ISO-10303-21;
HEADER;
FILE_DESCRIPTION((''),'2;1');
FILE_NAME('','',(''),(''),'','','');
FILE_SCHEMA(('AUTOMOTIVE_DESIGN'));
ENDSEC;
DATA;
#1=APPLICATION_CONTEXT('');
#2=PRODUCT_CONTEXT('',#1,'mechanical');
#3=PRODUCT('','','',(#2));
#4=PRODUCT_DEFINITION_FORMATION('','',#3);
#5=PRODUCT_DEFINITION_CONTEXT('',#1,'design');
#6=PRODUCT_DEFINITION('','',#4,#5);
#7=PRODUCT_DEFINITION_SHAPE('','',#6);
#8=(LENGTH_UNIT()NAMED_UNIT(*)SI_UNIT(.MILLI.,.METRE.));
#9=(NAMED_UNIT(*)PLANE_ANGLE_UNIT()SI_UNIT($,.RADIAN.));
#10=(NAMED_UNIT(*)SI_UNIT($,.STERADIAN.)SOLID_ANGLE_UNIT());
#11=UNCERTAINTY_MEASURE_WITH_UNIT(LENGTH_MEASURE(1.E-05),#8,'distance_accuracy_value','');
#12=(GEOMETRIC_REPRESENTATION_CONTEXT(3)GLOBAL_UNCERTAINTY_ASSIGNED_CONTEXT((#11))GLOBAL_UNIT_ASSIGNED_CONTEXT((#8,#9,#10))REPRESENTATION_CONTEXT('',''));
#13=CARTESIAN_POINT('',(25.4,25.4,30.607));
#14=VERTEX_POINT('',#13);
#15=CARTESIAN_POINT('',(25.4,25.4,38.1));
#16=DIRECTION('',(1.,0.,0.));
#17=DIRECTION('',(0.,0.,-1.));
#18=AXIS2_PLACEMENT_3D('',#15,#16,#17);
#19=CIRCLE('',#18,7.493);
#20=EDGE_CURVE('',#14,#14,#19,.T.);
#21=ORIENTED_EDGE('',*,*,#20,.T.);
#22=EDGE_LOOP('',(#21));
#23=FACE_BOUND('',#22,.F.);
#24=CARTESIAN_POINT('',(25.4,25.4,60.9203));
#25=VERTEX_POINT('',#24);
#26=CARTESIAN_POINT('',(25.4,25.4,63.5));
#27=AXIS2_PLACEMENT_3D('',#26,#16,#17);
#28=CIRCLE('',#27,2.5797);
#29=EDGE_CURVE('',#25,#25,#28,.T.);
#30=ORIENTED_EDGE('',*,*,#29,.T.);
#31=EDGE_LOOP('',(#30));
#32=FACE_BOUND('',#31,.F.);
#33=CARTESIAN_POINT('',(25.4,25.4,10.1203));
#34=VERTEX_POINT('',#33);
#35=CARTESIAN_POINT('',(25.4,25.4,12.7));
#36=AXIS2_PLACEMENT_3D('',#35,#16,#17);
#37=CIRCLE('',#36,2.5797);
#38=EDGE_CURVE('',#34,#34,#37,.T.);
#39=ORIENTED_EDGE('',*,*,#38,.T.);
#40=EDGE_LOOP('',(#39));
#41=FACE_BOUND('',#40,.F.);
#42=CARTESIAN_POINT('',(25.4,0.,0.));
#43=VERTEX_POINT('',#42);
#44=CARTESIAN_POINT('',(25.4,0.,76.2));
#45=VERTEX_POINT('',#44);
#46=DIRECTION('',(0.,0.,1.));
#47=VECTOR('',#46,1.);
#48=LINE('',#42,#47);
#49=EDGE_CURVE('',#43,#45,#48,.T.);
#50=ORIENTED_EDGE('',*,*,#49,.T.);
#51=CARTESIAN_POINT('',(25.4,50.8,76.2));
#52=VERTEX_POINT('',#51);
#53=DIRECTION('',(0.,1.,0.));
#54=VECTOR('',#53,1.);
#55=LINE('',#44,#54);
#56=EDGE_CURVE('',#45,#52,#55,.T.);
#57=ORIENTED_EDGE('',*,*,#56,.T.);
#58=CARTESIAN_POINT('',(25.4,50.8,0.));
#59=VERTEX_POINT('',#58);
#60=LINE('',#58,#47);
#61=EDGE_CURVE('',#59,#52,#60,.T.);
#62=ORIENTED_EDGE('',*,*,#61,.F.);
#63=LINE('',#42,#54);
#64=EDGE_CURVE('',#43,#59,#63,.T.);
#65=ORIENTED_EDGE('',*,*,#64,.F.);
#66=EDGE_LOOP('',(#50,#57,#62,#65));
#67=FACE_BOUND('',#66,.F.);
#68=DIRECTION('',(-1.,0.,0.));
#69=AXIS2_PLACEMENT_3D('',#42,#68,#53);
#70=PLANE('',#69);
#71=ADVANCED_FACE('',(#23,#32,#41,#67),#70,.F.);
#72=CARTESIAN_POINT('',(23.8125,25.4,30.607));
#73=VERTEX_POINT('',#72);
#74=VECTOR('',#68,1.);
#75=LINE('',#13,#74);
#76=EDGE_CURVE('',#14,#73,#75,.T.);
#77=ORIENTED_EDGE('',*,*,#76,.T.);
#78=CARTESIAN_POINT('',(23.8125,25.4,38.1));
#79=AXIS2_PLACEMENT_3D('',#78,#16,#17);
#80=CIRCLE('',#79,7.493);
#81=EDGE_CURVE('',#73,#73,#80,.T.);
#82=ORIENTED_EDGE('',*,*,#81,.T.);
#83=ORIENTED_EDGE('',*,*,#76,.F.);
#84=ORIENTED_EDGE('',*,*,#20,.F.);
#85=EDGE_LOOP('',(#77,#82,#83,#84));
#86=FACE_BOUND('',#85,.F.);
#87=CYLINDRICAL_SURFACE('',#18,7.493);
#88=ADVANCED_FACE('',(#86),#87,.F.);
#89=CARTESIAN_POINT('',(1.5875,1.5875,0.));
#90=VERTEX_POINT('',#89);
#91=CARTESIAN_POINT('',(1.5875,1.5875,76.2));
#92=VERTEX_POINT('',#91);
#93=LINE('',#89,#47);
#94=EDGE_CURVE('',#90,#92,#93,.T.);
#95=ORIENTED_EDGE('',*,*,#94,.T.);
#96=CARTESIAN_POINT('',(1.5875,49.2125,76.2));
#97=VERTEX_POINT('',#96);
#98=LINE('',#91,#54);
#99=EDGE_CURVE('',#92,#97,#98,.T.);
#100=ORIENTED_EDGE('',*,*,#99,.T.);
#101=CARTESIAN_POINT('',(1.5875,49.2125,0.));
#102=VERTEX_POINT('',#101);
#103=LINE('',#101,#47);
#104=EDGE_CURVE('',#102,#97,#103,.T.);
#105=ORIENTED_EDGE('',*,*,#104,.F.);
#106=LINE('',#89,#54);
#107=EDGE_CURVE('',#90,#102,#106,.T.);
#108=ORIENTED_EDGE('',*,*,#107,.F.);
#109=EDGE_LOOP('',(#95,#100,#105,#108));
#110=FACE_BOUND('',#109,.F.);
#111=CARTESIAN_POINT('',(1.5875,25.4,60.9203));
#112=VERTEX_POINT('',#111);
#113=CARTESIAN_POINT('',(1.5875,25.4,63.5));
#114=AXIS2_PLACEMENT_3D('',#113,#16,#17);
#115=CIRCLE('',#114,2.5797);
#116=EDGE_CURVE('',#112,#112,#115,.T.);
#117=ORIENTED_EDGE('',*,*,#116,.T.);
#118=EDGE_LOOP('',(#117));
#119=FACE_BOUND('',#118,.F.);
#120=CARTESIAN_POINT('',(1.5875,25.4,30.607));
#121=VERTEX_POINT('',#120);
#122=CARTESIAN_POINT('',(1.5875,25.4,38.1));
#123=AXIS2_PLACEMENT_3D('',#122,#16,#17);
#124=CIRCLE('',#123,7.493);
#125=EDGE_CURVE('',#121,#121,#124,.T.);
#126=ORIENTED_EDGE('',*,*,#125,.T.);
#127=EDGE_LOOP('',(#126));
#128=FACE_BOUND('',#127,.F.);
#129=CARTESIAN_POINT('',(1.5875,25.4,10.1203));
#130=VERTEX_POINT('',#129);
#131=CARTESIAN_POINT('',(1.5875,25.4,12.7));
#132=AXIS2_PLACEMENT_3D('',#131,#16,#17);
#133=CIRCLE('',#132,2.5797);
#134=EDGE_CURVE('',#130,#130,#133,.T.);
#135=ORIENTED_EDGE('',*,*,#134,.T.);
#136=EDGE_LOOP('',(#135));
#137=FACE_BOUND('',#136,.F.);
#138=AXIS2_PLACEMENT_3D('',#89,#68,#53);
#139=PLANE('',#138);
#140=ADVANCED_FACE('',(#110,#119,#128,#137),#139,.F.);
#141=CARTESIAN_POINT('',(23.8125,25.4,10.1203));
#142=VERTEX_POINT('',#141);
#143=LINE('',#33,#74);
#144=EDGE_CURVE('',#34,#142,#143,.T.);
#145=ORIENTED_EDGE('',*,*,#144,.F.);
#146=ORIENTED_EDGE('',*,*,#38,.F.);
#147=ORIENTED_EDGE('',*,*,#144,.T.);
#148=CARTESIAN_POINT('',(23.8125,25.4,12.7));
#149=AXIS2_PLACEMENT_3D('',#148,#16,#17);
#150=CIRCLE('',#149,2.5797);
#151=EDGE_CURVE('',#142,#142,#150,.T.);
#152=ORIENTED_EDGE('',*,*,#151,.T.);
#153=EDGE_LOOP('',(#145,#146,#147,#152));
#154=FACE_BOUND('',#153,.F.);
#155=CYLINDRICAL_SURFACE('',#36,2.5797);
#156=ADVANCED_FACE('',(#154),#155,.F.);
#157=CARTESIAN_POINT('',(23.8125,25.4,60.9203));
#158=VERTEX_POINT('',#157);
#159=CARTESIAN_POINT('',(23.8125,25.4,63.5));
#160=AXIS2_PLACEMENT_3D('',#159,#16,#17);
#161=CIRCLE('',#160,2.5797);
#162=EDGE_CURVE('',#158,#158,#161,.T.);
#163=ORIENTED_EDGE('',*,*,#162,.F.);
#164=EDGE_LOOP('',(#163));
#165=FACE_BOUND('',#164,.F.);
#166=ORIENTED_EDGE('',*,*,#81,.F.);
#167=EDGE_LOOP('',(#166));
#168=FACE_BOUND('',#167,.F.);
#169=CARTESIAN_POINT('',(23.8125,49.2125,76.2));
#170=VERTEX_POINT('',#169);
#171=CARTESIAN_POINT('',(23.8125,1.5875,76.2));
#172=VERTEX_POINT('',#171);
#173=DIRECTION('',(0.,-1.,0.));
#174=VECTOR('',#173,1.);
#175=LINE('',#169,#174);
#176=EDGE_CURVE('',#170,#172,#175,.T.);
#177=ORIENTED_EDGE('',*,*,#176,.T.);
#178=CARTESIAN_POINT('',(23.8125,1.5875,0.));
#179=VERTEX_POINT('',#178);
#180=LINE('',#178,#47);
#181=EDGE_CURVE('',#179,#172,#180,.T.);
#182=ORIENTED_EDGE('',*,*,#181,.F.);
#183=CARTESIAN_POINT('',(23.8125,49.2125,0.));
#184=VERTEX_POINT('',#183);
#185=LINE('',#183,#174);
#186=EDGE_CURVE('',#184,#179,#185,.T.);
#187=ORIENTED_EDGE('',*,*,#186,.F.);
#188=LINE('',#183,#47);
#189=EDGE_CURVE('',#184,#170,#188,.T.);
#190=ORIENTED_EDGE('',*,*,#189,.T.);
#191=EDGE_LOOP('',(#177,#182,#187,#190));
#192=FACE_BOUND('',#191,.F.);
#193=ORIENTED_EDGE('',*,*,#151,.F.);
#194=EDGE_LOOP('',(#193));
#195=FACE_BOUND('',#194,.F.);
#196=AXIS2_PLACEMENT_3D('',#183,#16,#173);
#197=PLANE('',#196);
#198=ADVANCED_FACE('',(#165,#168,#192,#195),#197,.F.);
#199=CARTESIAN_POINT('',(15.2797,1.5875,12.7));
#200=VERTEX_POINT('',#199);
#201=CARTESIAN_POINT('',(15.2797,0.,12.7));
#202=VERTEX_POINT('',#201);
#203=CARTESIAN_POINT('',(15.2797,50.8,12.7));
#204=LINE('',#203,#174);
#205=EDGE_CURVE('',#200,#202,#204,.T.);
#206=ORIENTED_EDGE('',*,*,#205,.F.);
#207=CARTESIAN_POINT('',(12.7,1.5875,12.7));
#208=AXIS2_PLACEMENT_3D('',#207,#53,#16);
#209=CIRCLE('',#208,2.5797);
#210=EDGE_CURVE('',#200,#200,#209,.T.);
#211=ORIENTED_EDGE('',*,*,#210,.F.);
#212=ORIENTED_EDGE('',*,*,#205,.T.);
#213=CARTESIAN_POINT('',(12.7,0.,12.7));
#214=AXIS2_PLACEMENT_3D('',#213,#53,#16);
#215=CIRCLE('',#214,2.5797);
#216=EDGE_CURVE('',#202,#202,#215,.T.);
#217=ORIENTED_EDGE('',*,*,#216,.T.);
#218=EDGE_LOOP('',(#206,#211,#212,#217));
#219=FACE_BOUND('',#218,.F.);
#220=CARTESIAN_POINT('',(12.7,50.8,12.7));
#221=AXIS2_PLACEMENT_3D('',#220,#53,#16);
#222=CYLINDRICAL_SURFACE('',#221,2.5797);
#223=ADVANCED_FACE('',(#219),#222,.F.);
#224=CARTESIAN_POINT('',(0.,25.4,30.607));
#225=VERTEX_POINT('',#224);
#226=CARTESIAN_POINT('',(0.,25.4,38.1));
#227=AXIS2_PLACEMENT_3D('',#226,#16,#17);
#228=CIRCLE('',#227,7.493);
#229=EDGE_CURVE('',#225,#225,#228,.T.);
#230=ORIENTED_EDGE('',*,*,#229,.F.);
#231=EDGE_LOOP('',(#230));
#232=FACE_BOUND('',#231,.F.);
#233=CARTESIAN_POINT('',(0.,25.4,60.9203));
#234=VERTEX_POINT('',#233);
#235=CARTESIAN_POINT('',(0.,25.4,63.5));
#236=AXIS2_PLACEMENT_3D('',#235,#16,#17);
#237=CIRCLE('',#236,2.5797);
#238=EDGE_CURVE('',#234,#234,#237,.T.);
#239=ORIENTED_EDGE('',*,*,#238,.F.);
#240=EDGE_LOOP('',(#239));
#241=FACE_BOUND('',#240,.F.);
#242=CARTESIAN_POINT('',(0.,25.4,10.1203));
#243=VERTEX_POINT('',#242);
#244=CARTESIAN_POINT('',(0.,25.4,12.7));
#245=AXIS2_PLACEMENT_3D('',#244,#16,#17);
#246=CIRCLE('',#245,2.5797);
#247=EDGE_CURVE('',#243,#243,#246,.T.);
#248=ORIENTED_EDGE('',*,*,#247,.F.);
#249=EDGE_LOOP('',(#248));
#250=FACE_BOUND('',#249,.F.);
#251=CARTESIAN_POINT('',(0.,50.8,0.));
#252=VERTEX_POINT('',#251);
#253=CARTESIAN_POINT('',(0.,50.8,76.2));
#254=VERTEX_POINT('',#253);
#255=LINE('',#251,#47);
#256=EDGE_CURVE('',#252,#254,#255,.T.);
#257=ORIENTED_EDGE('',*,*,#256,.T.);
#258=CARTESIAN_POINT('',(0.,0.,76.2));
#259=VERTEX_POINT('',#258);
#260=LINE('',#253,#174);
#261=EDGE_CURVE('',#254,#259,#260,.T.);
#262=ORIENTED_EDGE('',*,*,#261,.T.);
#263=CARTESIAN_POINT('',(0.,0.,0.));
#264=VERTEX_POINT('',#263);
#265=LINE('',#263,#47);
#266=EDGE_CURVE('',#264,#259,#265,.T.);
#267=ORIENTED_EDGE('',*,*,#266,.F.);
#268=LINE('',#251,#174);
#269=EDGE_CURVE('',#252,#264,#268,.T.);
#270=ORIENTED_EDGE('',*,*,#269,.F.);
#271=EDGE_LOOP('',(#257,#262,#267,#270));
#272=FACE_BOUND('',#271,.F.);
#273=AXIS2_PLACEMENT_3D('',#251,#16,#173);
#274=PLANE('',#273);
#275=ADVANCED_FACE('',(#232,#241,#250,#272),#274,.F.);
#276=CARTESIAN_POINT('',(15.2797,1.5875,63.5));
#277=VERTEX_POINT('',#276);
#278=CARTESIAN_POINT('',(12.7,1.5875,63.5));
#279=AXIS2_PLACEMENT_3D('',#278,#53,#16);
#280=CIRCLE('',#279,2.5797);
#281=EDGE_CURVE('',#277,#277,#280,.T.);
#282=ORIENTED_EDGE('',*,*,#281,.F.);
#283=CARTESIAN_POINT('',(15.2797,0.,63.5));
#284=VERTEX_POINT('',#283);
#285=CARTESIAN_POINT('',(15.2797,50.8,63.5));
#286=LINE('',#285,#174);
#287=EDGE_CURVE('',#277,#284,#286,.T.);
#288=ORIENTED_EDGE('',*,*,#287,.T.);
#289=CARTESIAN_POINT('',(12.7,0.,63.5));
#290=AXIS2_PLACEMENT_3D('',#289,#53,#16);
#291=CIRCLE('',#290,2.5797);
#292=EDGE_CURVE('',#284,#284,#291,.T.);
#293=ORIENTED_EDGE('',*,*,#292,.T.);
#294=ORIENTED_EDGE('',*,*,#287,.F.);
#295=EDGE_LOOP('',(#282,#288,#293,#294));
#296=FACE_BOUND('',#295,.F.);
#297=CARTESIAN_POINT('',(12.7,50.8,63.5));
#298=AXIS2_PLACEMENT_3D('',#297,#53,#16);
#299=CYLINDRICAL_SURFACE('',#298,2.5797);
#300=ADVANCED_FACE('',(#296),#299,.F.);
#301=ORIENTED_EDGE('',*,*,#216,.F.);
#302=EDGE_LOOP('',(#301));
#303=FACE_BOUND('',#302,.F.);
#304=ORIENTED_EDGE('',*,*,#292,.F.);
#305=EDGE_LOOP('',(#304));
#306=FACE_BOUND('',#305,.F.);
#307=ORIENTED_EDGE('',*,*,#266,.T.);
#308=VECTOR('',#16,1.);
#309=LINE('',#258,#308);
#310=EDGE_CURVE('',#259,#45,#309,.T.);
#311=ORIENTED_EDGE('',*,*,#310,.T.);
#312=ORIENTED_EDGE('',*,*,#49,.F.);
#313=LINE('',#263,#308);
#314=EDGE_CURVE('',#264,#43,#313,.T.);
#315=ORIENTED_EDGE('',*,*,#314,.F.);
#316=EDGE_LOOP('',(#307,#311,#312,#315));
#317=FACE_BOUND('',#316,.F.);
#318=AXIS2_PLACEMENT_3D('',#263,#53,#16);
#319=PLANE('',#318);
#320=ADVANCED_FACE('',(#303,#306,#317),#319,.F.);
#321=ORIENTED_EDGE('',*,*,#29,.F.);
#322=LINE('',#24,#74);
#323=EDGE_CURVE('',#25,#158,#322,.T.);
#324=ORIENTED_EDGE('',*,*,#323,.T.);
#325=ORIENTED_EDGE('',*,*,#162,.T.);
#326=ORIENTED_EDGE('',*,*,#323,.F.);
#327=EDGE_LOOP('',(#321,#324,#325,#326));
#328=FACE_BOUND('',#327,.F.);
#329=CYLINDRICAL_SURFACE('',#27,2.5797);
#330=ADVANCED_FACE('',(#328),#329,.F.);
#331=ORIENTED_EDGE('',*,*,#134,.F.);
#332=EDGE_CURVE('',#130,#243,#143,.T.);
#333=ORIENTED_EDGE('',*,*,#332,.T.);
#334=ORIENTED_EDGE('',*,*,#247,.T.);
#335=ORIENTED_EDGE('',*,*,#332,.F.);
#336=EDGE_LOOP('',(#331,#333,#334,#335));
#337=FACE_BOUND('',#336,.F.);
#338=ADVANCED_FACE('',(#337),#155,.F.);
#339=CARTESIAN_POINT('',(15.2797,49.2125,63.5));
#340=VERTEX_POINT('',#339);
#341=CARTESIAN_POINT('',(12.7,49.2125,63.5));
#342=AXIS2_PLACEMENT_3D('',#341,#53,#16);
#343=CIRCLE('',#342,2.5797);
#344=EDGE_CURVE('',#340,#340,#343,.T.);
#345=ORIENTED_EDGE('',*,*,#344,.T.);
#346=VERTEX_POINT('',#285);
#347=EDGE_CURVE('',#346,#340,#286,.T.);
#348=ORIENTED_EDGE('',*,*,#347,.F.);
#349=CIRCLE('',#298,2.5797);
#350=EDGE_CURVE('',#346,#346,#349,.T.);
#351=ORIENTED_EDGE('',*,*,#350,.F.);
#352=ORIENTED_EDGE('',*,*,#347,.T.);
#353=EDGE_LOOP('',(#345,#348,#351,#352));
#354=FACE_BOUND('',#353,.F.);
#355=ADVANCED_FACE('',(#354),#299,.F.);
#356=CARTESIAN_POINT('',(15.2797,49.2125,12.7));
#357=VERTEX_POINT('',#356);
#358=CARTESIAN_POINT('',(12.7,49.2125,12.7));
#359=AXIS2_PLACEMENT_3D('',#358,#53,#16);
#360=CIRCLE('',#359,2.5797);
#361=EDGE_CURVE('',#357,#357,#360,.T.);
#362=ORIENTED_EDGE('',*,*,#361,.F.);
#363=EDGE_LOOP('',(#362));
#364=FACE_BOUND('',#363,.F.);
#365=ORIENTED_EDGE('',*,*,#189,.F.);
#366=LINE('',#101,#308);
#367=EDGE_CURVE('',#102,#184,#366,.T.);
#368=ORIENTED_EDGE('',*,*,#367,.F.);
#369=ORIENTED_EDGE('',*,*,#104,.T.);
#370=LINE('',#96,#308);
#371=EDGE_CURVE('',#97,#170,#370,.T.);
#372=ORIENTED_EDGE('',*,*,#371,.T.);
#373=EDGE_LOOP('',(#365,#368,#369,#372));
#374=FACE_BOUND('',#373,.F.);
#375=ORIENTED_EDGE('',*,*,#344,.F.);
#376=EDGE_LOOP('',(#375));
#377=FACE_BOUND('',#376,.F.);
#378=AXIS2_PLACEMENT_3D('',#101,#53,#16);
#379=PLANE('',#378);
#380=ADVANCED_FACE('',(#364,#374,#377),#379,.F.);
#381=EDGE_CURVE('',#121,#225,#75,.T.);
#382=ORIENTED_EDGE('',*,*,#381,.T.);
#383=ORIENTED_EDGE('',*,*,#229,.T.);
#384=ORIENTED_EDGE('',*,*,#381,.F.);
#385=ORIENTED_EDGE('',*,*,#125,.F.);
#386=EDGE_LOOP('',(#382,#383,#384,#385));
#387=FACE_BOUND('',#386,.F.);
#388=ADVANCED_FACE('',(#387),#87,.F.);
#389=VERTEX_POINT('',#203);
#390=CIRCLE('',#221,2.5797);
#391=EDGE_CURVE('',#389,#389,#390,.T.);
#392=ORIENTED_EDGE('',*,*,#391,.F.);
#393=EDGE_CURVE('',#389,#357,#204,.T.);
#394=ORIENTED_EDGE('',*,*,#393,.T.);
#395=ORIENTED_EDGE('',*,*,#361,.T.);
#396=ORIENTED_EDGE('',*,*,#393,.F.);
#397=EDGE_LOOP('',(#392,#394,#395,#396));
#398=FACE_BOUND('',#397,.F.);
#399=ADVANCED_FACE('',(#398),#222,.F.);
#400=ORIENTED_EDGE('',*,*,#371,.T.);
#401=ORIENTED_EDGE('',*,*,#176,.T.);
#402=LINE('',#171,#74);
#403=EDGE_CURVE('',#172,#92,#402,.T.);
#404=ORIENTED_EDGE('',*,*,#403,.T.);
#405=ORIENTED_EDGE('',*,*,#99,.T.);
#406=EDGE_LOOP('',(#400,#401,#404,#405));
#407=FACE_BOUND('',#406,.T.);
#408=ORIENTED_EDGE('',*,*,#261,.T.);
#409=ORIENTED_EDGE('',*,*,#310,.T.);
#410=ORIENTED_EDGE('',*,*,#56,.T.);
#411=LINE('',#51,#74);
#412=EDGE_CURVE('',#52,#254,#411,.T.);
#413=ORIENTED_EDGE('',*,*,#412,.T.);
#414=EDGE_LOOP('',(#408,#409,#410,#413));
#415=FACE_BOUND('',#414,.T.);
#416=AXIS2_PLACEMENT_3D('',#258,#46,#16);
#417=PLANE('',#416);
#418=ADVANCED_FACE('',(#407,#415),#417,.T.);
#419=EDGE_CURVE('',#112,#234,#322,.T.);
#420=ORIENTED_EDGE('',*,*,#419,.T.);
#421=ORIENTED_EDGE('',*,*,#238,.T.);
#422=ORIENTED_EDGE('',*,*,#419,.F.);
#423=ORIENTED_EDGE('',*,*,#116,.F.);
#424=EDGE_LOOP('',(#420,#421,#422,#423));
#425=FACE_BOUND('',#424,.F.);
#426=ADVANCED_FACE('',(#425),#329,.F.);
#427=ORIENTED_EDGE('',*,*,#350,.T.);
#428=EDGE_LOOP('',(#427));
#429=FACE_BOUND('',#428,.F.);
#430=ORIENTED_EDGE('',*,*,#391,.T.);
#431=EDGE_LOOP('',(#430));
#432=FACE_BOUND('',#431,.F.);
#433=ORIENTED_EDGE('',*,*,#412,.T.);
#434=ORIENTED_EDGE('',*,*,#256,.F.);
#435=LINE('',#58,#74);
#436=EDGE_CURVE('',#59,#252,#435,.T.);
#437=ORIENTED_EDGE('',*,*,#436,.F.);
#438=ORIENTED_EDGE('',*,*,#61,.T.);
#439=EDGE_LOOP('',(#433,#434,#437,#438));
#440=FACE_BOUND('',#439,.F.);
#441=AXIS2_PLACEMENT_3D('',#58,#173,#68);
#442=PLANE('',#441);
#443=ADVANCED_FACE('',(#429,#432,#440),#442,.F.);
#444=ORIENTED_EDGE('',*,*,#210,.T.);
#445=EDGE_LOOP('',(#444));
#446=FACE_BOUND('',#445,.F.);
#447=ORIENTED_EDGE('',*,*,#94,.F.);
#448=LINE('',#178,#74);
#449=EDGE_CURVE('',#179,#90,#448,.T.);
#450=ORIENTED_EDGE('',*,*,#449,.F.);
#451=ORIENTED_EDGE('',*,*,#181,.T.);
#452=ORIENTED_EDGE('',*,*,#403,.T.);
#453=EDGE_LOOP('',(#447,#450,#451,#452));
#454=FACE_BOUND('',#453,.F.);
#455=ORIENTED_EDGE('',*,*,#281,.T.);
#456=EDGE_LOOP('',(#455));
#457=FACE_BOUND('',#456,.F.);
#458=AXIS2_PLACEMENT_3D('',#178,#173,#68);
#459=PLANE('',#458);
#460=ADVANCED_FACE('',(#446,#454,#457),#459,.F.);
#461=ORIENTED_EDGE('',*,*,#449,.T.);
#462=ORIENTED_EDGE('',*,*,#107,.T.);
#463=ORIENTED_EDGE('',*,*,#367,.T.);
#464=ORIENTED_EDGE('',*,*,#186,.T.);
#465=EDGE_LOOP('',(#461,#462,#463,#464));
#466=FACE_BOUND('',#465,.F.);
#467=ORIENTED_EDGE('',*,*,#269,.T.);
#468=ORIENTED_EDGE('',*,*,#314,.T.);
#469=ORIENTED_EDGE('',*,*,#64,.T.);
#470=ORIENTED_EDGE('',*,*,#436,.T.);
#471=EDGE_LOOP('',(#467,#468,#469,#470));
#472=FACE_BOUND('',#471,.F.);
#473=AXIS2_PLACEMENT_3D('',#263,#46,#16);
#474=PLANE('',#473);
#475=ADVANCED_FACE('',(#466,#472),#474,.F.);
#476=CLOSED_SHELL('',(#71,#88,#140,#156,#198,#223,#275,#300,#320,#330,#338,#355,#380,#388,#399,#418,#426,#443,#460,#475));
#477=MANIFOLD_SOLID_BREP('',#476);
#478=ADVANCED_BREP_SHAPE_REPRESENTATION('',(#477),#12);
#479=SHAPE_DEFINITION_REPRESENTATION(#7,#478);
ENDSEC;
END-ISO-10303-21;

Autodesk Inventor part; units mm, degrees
ref_plane "YZ Plane" through (0, 0, 0) normal (1, 0, 0) x (0, 1, 0)
ref_plane "XZ Plane" through (0, 0, 0) normal (0, 1, 0) x (-1, 0, 0)
ref_plane "XY Plane" through (0, 0, 0) normal (0, 0, 1) x (1, 0, 0)
sketch "Sketch1" plane through (0, 0, 0) normal (0, 0, 1) x (1, 0, 0)
  line L0 (0, 0) -> (25.4, 0)
  line L1 (25.4, 0) -> (25.4, 50.8)
  line L2 (25.4, 50.8) -> (0, 50.8)
  line L3 (0, 50.8) -> (0, 0)
  line L4 (1.5875, 49.2125) -> (23.8125, 49.2125)
  line L5 (23.8125, 49.2125) -> (23.8125, 1.5875)
  line L6 (23.8125, 1.5875) -> (1.5875, 1.5875)
  line L7 (1.5875, 1.5875) -> (1.5875, 49.2125)
  dimension "d0" = 25.4
  dimension "d1" = 50.8
  dimension "d2" = 1.5875
extrude "Extrusion1" add sketch "Sketch1" along normal blind 76.2
sketch "Sketch3" plane through (25.4, 0, 0) normal (1, 0, 0) x (0, 0, -1)
  line L0 (0, 50.8) -> (-76.2, 50.8) construction
  line L1 (-38.1, 50.8) -> (-38.1, 25.4) construction
  circle A0 centre (-38.1, 25.4) radius 7.493
  point P0 (0, 0)
  dimension "d10" = 25.4
  dimension "d15" = 14.986
extrude "Extrusion3" cut sketch "Sketch3" against normal blind 82.55
sketch "Sketch4" plane through (0, 50.8, 0) normal (0, 1, 0) x (1, 0, 0)
  line L0 (1.5875, 0) -> (23.8125, 0) construction
  line L1 (12.7, 0) -> (12.7, -12.7) construction
  line L2 (23.8125, -76.2) -> (1.5875, -76.2) construction
  line L3 (12.7, -76.2) -> (12.7, -63.5) construction
  circle A0 centre (12.7, -63.5) radius 2.5797
  circle A1 centre (12.7, -12.7) radius 2.5797
  point P0 (0, 0)
  dimension "d16" = 12.7
  dimension "d17" = 12.7
  dimension "d18" = 5.1594
extrude "Extrusion4" cut sketch "Sketch4" against normal blind 82.55
sketch "Sketch5" plane through (25.4, 0, 0) normal (1, 0, 0) x (0, 0, -1)
  line L0 (0, 0) -> (0, 50.8) projected
  line L1 (0, 25.4) -> (-12.7, 25.4) construction
  line L2 (-76.2, 49.2125) -> (-76.2, 1.5875) projected
  line L3 (-76.2, 25.4) -> (-63.5, 25.4) construction
  circle A0 centre (-63.5, 25.4) radius 2.5797
  circle A1 centre (-12.7, 25.4) radius 2.5797
  dimension "d21" = 12.7
  dimension "d22" = 12.7
  dimension "d23" = 5.1594
extrude "Extrusion5" cut sketch "Sketch5" against normal blind 25.4
properties part number "1x1 Bumper Attachment"
